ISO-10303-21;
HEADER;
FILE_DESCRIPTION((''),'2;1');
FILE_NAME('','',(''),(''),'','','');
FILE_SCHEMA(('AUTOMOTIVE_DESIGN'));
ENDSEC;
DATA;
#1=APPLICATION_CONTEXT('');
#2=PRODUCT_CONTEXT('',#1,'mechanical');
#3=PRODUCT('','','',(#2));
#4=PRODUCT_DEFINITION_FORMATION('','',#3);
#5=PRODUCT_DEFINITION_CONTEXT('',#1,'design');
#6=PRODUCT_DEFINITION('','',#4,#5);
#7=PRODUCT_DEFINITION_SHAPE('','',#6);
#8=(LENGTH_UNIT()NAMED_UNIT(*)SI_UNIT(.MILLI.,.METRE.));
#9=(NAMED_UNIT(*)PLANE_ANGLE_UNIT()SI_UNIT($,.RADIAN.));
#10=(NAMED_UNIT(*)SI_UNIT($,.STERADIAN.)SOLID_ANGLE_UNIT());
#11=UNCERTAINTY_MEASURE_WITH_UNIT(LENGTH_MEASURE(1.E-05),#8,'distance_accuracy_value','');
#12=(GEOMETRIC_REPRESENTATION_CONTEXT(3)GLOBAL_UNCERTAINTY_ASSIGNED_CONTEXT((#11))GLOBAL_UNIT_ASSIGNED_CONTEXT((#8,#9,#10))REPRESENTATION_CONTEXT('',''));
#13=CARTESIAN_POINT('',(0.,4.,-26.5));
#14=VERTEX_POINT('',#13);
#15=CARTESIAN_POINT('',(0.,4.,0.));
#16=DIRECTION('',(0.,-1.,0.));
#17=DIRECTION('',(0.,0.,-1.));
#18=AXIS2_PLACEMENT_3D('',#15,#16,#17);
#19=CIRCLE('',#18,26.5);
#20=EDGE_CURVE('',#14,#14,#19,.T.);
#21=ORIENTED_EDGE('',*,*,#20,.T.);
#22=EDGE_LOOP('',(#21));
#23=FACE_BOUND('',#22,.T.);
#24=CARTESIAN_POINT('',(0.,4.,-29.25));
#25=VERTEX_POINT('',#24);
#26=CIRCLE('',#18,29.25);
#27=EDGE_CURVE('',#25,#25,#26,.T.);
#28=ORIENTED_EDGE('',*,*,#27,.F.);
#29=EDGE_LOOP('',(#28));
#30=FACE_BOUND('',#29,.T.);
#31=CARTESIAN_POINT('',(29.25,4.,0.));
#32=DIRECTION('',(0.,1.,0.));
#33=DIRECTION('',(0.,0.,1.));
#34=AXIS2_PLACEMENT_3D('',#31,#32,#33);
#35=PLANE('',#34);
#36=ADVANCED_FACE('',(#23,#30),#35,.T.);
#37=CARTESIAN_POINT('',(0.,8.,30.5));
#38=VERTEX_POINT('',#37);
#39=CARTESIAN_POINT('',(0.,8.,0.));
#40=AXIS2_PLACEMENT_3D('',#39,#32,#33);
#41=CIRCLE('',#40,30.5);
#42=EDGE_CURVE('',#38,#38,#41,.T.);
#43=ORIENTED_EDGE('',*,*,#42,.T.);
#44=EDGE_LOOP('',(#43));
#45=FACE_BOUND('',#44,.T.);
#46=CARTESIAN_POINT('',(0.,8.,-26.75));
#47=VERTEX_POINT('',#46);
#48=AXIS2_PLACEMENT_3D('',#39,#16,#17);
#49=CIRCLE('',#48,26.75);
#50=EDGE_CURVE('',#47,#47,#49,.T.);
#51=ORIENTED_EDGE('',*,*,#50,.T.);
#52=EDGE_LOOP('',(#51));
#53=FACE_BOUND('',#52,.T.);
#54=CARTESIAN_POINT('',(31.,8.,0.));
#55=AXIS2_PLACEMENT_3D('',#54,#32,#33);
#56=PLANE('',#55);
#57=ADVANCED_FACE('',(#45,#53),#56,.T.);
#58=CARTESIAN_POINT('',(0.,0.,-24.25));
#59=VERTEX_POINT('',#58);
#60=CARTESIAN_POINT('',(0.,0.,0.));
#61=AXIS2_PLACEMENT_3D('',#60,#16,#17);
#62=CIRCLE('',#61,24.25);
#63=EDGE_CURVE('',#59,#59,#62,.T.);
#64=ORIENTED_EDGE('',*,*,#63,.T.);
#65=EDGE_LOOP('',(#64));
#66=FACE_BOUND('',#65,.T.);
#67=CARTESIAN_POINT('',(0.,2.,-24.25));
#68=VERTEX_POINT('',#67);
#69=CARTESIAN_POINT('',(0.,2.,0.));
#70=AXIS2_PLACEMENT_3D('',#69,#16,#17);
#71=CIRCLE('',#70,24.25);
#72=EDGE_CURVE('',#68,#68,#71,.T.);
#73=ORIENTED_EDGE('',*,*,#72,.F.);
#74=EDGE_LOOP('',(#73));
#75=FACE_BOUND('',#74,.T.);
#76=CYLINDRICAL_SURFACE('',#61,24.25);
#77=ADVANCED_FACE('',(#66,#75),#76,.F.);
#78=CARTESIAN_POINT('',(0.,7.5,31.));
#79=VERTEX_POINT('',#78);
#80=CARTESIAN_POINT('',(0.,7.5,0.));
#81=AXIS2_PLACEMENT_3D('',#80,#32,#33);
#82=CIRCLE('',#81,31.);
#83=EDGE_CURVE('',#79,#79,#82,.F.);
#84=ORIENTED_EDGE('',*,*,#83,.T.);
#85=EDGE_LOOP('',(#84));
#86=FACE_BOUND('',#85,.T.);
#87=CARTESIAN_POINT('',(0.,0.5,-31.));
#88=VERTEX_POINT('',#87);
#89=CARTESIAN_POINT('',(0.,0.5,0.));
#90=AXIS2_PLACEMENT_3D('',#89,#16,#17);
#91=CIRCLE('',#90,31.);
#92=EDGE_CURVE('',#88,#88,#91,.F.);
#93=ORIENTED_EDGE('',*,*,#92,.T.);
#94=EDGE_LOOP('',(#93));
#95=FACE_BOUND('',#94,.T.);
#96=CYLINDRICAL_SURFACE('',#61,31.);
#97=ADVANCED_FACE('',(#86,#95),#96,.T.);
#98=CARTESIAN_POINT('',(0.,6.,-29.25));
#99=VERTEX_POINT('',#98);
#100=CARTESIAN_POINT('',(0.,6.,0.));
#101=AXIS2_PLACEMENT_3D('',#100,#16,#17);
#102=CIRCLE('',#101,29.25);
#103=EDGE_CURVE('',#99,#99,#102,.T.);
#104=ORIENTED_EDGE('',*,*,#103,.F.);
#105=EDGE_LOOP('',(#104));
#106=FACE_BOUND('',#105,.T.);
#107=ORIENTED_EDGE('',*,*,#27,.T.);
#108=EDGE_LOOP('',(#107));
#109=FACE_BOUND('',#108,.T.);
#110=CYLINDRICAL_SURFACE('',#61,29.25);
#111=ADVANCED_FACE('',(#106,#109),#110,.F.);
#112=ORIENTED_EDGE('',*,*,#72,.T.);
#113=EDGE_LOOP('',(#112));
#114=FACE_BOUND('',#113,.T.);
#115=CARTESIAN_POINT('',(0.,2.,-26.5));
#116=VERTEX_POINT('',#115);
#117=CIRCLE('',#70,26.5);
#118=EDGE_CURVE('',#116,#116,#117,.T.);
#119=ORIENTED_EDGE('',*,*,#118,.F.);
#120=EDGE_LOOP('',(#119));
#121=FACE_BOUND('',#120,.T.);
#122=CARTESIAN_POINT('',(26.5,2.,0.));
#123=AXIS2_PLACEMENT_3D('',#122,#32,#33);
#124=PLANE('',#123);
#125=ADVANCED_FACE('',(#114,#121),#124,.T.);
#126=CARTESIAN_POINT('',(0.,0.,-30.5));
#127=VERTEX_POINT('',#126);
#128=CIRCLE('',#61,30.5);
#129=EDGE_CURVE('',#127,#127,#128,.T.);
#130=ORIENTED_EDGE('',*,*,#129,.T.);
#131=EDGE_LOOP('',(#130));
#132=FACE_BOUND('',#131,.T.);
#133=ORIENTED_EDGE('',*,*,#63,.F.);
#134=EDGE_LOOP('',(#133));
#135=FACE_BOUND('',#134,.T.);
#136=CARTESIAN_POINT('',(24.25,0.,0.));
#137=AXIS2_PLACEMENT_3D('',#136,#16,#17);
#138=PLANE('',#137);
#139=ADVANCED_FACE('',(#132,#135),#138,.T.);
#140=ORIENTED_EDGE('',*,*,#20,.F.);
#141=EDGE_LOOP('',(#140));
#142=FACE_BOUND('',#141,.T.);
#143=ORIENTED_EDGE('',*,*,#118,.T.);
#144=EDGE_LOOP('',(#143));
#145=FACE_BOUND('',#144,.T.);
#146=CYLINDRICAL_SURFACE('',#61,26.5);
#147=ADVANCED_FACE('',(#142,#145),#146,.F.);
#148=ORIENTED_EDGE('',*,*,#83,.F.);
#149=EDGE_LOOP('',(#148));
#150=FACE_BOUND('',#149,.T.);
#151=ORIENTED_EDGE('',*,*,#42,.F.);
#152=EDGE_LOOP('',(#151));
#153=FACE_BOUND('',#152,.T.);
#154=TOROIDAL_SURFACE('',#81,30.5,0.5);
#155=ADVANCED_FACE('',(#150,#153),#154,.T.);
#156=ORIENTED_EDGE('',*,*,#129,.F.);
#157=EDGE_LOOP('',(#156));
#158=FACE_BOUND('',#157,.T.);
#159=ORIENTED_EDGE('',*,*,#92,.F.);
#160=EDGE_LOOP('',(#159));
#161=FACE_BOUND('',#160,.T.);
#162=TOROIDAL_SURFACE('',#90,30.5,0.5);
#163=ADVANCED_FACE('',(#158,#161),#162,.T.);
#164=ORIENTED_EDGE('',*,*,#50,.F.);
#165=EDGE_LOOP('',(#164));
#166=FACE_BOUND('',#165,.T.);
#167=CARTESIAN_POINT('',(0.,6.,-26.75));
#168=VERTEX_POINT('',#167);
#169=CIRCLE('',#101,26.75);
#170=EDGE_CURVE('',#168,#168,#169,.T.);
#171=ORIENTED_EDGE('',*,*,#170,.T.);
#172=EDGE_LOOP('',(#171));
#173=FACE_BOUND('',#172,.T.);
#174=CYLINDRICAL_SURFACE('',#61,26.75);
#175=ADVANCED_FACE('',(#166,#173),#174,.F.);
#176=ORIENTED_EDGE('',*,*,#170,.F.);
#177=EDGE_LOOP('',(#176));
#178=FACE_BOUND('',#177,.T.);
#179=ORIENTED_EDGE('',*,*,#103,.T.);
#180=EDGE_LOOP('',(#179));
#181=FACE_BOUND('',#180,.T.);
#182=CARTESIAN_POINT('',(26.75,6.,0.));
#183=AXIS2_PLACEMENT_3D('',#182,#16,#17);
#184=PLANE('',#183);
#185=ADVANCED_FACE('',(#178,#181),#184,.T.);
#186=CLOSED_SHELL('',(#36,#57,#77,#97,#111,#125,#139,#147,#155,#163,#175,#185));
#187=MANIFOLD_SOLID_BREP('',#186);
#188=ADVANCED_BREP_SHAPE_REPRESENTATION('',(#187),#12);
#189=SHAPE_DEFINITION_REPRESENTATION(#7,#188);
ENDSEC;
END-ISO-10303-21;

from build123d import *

# Parameters (mm, degrees)
FILLET1_R = 0.5


with BuildPart() as part:
    # Sketch1 → Revolve1 (revolve)
    with BuildSketch(Plane.XY):
        Polygon((24.25, 0), (31, 0), (31, 8), (26.75, 8), (26.75, 6), (29.25, 6), (29.25, 4), (26.5, 4), (26.5, 2), (24.25, 2), align=None)
    revolve(axis=Axis((0, 0, 0), (0, 1, 0)))

    # Fillet1
    fillet1_edges = [part.edges().sort_by_distance(p)[0] for p in [
        (-31, 8, 0),
        (-31, 0, 0),
    ]]
    fillet(fillet1_edges, radius=FILLET1_R)


solid = part.part
